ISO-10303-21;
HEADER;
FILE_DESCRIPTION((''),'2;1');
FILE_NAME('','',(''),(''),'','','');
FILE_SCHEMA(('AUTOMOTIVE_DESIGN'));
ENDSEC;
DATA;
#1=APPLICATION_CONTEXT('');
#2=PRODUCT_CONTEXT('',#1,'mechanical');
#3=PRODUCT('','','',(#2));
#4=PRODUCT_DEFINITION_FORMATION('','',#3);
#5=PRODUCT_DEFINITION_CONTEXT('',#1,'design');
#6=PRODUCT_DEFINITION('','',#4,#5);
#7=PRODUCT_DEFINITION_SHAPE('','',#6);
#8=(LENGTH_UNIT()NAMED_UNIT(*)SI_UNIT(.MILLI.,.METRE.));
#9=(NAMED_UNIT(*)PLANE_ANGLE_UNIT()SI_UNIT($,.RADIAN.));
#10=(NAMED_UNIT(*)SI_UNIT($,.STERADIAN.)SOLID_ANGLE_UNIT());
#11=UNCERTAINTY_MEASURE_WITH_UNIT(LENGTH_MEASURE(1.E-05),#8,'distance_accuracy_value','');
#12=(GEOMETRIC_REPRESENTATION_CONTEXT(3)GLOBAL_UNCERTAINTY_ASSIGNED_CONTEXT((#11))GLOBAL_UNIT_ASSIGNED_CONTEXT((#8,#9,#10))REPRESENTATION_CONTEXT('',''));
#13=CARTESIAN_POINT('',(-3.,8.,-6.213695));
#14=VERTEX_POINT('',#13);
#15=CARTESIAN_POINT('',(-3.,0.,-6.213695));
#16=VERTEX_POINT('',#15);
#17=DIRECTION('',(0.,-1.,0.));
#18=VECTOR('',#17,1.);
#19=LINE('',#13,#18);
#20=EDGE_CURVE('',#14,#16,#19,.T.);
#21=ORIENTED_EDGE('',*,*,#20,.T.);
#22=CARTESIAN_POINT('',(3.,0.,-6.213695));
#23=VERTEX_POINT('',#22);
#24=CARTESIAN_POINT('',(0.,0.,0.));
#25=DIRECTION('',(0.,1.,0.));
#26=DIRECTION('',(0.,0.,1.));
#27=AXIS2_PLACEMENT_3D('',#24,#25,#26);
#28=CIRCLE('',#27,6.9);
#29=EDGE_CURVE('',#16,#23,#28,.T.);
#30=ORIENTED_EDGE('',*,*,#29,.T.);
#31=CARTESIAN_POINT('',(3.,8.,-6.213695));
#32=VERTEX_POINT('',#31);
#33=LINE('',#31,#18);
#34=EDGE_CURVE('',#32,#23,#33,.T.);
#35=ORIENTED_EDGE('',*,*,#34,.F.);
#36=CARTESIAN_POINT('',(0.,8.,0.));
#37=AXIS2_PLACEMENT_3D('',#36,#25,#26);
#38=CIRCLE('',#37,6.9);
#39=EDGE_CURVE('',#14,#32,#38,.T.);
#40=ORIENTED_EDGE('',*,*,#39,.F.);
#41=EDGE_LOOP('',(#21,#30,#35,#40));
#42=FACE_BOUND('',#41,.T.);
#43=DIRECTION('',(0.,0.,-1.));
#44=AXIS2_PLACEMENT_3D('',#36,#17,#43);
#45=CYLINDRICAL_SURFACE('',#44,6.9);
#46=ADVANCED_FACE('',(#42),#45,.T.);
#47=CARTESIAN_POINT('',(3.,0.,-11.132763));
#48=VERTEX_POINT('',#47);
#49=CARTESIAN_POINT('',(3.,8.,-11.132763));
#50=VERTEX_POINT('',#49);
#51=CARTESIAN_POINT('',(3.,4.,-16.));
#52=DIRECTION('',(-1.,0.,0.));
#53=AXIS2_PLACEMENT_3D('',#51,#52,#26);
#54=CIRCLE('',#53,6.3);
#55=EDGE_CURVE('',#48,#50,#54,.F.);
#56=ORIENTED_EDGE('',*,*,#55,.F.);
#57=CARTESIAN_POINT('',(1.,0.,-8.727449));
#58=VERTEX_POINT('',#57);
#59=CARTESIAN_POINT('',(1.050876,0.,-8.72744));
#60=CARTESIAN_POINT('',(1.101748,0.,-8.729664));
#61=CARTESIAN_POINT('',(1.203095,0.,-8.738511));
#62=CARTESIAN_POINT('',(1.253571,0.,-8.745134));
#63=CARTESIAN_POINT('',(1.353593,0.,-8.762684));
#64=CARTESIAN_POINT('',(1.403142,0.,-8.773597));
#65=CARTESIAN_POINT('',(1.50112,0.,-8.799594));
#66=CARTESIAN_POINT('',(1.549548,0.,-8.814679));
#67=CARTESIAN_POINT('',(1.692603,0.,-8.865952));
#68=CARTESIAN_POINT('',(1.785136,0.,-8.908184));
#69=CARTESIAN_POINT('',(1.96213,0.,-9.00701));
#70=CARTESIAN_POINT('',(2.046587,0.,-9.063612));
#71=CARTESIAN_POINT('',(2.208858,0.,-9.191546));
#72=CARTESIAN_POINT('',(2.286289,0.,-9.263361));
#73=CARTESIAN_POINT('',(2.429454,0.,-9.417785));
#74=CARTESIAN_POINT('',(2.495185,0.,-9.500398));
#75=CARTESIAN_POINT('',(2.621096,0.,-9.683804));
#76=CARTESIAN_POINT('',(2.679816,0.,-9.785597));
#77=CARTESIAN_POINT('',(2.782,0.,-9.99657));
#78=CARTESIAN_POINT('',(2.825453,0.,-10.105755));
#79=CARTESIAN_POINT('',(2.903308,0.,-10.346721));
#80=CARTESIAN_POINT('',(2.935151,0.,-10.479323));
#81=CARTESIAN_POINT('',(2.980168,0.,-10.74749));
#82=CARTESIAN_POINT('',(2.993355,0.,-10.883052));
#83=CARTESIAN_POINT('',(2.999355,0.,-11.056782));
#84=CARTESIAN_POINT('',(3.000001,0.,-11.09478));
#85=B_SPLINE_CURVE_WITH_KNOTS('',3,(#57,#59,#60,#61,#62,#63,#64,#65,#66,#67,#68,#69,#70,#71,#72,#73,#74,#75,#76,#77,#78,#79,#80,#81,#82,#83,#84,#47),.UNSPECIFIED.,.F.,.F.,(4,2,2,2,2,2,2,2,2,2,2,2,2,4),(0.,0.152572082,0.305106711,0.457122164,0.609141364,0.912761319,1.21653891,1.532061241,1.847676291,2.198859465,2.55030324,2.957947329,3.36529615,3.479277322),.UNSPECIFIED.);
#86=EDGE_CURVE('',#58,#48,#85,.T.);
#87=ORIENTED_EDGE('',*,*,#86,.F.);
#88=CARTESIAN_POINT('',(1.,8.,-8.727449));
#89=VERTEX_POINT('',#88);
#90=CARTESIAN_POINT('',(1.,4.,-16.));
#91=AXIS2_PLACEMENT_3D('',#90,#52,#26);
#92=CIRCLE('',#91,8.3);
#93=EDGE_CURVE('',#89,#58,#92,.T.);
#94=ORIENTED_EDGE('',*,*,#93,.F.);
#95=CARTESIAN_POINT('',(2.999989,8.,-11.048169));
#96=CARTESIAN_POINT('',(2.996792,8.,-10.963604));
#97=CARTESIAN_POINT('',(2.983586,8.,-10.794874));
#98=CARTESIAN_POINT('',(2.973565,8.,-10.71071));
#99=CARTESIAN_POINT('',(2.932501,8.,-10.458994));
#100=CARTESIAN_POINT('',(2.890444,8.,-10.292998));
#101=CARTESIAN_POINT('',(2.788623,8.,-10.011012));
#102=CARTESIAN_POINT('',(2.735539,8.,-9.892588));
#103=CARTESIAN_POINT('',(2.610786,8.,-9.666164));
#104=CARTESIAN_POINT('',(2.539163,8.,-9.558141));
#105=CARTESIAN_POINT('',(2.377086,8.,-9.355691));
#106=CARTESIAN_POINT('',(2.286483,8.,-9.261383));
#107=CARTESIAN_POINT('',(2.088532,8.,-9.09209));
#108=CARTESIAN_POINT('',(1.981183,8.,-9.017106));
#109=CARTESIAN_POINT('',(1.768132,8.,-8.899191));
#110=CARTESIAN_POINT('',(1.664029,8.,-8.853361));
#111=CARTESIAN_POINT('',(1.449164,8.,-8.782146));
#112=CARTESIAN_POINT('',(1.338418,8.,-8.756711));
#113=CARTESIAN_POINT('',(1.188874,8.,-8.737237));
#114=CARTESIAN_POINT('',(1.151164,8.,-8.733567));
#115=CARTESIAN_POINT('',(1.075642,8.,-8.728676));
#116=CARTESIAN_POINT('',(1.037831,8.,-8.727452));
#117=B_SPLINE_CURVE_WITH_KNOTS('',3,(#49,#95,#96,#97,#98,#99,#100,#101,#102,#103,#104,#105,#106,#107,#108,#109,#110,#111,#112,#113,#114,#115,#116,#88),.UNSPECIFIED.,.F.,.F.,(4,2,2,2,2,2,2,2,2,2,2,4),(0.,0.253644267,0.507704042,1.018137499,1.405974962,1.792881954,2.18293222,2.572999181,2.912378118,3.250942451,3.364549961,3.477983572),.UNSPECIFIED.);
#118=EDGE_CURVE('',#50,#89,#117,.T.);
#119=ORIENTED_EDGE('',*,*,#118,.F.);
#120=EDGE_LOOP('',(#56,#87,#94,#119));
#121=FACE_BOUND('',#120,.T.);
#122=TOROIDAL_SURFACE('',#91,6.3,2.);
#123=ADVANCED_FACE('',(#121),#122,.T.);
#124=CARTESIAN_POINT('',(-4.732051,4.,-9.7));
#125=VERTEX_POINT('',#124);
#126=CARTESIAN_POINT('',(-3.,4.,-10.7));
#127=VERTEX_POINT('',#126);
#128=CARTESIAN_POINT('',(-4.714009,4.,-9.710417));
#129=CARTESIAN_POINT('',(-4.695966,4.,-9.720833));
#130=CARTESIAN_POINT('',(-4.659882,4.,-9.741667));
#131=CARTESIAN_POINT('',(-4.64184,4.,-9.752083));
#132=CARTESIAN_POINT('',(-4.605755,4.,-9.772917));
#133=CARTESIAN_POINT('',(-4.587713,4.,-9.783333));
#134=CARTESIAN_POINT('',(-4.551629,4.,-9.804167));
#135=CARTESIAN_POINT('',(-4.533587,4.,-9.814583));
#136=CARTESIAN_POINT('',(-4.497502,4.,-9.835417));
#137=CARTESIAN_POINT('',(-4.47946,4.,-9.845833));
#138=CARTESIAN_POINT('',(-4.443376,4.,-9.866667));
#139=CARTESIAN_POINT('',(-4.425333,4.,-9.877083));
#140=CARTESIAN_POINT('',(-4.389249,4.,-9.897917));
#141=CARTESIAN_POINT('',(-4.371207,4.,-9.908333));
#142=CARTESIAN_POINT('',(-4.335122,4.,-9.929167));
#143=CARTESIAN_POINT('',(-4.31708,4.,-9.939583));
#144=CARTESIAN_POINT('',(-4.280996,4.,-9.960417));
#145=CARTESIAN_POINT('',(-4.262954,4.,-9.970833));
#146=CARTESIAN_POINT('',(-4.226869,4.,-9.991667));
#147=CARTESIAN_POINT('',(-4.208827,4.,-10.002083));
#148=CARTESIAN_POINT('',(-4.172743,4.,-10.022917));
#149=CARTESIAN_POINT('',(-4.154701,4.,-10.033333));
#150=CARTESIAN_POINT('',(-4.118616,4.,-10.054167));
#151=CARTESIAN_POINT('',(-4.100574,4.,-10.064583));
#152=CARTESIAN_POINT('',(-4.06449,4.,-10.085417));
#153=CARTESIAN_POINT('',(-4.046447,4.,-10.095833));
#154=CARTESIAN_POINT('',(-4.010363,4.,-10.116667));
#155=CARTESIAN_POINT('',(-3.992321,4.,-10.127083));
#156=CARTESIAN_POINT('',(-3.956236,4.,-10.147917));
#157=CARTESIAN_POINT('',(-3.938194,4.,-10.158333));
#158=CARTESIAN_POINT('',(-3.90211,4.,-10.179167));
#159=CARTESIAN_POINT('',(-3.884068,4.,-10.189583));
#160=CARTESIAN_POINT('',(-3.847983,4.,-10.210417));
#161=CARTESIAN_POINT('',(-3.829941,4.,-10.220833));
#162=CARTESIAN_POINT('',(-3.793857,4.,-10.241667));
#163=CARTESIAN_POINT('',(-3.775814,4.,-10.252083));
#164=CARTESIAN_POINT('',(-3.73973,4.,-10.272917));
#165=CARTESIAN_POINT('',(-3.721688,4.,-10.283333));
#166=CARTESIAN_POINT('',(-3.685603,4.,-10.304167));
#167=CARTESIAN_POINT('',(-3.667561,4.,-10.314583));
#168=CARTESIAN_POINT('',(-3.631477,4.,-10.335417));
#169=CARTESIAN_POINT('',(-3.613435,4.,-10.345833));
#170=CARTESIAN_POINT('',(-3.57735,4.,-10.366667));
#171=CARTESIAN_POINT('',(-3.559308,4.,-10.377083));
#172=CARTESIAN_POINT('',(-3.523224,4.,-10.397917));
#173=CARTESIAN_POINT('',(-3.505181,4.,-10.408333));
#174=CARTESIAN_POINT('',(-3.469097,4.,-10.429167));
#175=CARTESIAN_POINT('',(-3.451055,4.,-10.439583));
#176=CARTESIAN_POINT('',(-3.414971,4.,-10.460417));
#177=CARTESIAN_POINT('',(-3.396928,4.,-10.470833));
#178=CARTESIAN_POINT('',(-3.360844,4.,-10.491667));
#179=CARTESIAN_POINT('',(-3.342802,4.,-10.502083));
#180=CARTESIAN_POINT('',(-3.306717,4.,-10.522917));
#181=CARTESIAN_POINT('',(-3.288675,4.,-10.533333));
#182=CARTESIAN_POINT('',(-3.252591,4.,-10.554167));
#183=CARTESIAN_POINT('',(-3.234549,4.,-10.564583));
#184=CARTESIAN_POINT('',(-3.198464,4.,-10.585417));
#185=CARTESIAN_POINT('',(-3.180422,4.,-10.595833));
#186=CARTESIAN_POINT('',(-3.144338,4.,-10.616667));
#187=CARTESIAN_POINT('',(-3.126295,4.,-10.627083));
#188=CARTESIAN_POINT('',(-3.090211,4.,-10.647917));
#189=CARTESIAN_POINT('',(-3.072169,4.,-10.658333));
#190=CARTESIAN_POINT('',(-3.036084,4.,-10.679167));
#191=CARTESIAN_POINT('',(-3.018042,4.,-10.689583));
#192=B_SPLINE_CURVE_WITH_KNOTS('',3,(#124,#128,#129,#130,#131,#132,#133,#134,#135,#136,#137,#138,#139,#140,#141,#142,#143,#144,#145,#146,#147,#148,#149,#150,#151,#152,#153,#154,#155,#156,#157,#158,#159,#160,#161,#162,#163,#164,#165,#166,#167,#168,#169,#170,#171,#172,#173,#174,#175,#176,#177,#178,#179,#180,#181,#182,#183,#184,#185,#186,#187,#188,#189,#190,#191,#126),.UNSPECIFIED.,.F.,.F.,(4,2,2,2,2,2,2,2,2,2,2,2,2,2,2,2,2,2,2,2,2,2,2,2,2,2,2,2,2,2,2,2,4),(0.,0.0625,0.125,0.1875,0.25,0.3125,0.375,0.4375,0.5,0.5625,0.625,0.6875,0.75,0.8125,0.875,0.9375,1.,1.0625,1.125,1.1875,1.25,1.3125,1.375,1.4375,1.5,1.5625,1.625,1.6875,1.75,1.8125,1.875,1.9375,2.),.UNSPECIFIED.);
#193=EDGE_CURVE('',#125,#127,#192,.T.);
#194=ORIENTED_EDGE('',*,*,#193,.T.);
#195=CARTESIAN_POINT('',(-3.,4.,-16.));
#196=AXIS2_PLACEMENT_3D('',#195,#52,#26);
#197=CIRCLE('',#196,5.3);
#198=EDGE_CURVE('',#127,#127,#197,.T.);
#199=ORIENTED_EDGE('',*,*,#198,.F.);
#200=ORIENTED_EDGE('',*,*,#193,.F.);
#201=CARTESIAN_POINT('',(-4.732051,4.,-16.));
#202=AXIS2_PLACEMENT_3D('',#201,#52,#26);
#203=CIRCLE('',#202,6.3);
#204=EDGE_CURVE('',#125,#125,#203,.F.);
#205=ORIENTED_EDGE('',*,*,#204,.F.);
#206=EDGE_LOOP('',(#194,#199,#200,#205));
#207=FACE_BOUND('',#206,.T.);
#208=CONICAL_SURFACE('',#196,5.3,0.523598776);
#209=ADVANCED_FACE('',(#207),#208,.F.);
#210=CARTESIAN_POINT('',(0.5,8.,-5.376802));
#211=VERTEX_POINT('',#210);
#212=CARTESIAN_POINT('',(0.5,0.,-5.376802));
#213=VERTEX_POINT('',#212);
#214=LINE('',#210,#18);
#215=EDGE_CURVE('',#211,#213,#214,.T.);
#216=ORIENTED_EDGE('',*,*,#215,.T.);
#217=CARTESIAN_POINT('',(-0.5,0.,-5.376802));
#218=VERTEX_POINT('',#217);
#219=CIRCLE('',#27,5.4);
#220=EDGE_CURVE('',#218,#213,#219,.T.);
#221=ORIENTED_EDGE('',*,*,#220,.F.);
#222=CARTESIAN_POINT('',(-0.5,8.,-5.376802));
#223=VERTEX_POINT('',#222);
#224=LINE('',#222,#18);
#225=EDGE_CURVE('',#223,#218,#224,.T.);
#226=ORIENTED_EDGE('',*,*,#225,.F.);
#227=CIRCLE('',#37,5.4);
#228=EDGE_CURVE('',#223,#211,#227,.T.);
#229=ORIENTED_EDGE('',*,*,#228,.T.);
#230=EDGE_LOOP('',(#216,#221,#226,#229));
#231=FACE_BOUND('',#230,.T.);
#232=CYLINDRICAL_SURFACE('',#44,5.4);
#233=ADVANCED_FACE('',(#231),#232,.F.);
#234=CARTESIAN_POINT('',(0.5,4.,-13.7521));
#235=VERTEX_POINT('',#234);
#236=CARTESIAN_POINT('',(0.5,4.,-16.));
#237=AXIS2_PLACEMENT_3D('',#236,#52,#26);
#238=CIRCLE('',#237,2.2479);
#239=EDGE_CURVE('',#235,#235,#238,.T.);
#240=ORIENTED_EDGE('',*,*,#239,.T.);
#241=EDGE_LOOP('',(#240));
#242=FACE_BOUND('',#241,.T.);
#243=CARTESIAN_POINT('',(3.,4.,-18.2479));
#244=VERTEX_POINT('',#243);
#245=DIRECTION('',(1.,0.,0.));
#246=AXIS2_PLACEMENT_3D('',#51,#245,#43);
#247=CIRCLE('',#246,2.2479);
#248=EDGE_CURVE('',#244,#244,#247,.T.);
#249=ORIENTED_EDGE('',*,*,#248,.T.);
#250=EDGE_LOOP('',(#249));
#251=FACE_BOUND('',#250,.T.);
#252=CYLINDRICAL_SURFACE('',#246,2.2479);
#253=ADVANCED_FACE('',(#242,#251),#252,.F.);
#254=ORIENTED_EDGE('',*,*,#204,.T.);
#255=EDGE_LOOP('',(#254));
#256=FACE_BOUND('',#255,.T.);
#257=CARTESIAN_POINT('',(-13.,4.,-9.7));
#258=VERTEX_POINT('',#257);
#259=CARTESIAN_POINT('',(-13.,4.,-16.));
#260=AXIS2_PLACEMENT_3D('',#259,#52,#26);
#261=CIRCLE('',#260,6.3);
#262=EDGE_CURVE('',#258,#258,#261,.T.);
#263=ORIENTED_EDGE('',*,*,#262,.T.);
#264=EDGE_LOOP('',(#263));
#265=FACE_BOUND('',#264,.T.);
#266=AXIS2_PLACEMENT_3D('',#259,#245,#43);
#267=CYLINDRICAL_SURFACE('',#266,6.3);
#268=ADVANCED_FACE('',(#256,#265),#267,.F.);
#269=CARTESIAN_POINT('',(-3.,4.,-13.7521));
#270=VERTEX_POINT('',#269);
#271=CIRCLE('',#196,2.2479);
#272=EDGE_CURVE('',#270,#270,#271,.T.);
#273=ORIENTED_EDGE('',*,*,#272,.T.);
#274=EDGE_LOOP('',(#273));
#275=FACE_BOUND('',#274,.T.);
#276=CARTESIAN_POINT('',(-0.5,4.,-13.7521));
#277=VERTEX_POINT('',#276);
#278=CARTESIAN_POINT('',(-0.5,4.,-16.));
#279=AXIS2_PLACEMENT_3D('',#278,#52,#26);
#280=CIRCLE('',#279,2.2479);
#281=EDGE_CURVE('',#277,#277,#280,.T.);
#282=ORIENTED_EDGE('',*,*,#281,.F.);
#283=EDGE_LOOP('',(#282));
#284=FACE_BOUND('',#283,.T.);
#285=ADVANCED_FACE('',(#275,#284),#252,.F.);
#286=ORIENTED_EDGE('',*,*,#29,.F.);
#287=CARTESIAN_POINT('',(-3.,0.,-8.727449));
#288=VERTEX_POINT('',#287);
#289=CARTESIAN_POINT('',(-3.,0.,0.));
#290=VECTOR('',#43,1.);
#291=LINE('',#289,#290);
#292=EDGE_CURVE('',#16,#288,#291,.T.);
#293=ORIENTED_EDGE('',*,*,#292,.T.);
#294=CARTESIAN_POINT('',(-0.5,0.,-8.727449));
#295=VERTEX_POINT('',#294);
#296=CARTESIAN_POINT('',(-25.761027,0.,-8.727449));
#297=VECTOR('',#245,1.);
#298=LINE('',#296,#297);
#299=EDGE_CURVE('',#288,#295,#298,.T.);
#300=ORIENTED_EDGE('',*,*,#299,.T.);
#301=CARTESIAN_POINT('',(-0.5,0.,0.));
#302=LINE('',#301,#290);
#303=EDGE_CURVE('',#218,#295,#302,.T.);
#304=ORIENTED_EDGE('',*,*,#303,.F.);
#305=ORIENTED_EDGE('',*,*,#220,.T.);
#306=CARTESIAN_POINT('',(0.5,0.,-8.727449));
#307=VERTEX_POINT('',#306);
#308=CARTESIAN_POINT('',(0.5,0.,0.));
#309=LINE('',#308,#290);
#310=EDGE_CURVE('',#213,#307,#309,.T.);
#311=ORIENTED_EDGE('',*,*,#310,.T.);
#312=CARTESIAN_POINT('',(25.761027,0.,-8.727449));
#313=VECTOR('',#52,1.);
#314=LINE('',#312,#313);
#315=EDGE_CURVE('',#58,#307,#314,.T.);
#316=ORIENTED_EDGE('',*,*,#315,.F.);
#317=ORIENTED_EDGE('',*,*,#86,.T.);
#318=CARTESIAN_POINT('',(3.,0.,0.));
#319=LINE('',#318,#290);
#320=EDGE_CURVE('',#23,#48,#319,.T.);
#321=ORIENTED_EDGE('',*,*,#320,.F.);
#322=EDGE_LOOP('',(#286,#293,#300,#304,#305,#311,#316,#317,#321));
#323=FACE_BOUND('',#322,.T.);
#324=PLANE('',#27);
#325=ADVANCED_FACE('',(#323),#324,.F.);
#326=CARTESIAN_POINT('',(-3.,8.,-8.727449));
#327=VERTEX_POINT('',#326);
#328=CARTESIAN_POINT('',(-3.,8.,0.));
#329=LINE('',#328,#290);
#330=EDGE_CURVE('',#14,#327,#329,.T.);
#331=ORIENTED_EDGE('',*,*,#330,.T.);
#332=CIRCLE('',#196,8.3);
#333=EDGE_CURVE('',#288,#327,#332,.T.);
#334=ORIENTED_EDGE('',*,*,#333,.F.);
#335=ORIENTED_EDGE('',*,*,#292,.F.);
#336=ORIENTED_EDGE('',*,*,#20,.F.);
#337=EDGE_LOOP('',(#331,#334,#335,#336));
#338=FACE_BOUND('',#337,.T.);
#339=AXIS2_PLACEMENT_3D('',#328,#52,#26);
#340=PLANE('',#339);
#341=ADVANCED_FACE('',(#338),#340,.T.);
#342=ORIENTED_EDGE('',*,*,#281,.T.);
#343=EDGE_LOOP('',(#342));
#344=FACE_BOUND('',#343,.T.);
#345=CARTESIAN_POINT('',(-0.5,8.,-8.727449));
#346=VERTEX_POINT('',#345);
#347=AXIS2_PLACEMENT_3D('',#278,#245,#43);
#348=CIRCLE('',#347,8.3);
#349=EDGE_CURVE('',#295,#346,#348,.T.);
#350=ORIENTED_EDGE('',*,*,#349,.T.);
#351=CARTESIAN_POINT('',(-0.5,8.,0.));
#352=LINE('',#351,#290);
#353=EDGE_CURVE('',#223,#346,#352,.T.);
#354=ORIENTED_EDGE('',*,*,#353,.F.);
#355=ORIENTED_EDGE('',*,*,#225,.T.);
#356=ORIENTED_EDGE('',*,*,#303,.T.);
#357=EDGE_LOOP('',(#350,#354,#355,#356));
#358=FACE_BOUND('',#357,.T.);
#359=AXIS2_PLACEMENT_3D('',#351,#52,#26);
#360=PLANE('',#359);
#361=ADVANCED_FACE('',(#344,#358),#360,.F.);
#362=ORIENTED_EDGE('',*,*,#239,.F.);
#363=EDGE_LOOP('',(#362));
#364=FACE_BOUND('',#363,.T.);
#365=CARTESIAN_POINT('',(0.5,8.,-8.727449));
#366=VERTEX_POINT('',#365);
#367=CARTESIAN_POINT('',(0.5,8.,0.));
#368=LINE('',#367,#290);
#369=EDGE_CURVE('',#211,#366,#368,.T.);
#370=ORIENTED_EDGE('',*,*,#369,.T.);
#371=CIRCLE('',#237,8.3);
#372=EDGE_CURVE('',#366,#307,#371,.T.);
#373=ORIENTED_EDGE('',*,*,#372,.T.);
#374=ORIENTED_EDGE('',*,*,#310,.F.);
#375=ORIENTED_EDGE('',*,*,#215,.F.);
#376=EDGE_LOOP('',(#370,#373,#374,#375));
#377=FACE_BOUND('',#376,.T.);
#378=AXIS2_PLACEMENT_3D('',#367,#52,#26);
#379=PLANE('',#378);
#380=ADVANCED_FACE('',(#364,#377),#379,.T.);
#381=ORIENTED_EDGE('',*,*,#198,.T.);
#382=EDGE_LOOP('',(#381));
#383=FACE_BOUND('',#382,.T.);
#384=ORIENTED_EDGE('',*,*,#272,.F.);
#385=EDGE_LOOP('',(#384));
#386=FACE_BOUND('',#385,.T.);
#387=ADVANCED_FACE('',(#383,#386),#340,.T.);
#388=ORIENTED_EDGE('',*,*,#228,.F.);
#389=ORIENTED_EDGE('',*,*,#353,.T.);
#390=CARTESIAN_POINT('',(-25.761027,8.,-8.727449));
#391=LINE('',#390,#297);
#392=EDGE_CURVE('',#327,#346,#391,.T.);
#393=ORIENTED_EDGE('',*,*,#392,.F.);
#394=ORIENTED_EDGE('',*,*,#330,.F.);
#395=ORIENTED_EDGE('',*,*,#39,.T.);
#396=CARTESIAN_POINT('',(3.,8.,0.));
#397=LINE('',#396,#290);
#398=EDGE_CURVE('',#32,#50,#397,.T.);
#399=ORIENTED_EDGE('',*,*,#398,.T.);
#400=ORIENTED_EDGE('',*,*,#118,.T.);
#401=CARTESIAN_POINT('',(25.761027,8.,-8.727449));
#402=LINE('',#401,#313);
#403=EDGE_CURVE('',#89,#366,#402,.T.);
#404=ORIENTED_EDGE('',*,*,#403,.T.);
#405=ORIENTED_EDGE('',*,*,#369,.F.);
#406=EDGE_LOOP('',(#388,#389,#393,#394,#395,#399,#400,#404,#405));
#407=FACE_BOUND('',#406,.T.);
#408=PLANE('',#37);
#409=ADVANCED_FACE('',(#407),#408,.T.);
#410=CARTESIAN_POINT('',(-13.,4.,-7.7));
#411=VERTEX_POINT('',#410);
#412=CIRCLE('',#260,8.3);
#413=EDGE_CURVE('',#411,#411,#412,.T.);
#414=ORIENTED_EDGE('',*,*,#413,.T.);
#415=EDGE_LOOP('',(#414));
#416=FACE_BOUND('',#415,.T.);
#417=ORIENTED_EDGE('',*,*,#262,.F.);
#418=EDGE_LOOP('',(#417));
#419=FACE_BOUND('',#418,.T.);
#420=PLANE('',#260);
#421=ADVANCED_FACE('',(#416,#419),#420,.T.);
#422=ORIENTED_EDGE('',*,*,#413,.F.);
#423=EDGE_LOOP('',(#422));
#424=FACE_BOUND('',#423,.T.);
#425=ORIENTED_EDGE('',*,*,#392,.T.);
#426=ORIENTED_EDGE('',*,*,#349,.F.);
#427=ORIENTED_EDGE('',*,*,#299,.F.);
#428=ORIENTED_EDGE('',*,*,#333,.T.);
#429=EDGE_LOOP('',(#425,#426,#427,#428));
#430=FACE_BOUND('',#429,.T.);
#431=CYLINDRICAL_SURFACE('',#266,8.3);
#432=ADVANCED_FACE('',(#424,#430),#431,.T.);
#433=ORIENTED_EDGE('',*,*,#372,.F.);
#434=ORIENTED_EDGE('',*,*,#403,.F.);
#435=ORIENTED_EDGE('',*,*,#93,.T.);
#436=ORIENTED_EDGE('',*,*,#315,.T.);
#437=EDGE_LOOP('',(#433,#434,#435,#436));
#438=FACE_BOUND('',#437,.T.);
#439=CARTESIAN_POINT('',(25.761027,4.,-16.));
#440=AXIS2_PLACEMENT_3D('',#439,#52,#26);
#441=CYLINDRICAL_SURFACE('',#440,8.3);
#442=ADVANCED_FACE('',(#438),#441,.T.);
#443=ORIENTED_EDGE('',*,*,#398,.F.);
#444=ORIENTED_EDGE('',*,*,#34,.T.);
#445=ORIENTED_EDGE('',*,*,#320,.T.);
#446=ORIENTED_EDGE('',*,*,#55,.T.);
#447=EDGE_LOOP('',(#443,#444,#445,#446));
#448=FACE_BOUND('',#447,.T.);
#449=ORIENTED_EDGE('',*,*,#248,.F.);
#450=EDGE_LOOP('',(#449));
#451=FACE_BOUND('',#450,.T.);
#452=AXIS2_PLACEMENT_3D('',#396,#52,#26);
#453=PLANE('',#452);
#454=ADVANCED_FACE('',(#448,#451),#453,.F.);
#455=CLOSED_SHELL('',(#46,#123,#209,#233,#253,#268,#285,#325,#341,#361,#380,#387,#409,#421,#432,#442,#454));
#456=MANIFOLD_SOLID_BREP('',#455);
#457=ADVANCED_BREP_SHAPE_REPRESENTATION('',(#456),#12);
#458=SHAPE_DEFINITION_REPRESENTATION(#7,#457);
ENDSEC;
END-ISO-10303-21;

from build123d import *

# Parameters (mm, degrees)
BOSS_EXTRUDE1_DEPTH   = 8
F_8_CLEARANCE_HOLE1_D = 4.4958
SKETCH5_R             = 8.3
SKETCH5_R_2           = 6.3
BOSS_EXTRUDE2_DEPTH   = 10
BOSS_EXTRUDE3_DEPTH   = 2.5
BOSS_EXTRUDE4_START   = 3.5
BOSS_EXTRUDE4_DEPTH   = 2.5
FILLET1_R             = 2
CHAMFER1_SIZE         = 1
CHAMFER1_SIZE2        = 1.732050808


with BuildPart() as part:
    # Sketch1 → Boss-Extrude1 (new body)
    with BuildSketch(Plane(origin=(0, 0, 0), x_dir=(1, 0, 0), z_dir=(0, 1, 0))):
        with BuildLine():
            Line((3, 6.213694553), (3, 20))
            Line((3, 20), (0.5, 20))
            Line((0.5, 20), (0.5, 5.376802024))
            ThreePointArc((0.5, 5.376802024), (0, -5.4), (-0.5, 5.376802024))
            Line((-0.5, 5.376802024), (-0.5, 20))
            Line((-0.5, 20), (-3, 20))
            Line((-3, 20), (-3, 6.213694553))
            ThreePointArc((-3, 6.213694553), (0, -6.9), (3, 6.213694553))
        make_face()
    extrude(amount=BOSS_EXTRUDE1_DEPTH)

    # #8 Clearance Hole1 (through all)
    with Locations(Plane(origin=(3, 0, 0), x_dir=(0, 0, -1), z_dir=(1, 0, 0))):
        with Locations((16, 4)):
            Hole(F_8_CLEARANCE_HOLE1_D / 2)

    # Sketch5 → Boss-Extrude2 (add)
    with BuildSketch(Plane.ZY.offset(3)):
        with Locations(Location((-16, 4, 0), (0, 0, 331.188620291))):
            Circle(SKETCH5_R)
        with Locations(Location((-16, 4, 0), (0, 0, 320.585901644))):
            Circle(SKETCH5_R_2, mode=Mode.SUBTRACT)
    extrude(amount=BOSS_EXTRUDE2_DEPTH)

    # Sketch6 → Boss-Extrude3 (add)
    with BuildSketch(Plane(origin=(-0.5, 0, 0), x_dir=(0, 0, -1), z_dir=(1, 0, 0))):
        with BuildLine():
            Line((20, 0), (8.727448866, 0))
            ThreePointArc((8.727448866, 0), (24.3, 4), (8.727448866, 8))
            Line((8.727448866, 8), (20, 8))
            Line((20, 8), (20, 0))
        make_face()
    extrude(amount=-BOSS_EXTRUDE3_DEPTH)

    # Sketch6<4> → Boss-Extrude4 (add)
    with BuildSketch(Plane(origin=(-0.5, 0, 0), x_dir=(0, 0, -1), z_dir=(1, 0, 0)).offset(BOSS_EXTRUDE4_START)):
        with BuildLine():
            Line((20, 0), (8.727448866, 0))
            ThreePointArc((8.727448866, 0), (24.3, 4), (8.727448866, 8))
            Line((8.727448866, 8), (20, 8))
            Line((20, 8), (20, 0))
        make_face()
    extrude(amount=-BOSS_EXTRUDE4_DEPTH)

    # Fillet1
    fillet1_edges = [part.edges().sort_by_distance(p)[0] for p in [
        (3, 4, -24.3),
    ]]
    fillet(fillet1_edges, radius=FILLET1_R)

    # Chamfer1
    chamfer1_edges = [part.edges().sort_by_distance(p)[0] for p in [
        (-3, 4, -9.7),
    ]]
    chamfer1_side = [part.faces().sort_by_distance(p)[0] for p in [
        (-3, 0.130418557, -15.566381295),
    ]]
    chamfer(chamfer1_edges, length=CHAMFER1_SIZE, length2=CHAMFER1_SIZE2, reference=chamfer1_side[0])


solid = part.part
